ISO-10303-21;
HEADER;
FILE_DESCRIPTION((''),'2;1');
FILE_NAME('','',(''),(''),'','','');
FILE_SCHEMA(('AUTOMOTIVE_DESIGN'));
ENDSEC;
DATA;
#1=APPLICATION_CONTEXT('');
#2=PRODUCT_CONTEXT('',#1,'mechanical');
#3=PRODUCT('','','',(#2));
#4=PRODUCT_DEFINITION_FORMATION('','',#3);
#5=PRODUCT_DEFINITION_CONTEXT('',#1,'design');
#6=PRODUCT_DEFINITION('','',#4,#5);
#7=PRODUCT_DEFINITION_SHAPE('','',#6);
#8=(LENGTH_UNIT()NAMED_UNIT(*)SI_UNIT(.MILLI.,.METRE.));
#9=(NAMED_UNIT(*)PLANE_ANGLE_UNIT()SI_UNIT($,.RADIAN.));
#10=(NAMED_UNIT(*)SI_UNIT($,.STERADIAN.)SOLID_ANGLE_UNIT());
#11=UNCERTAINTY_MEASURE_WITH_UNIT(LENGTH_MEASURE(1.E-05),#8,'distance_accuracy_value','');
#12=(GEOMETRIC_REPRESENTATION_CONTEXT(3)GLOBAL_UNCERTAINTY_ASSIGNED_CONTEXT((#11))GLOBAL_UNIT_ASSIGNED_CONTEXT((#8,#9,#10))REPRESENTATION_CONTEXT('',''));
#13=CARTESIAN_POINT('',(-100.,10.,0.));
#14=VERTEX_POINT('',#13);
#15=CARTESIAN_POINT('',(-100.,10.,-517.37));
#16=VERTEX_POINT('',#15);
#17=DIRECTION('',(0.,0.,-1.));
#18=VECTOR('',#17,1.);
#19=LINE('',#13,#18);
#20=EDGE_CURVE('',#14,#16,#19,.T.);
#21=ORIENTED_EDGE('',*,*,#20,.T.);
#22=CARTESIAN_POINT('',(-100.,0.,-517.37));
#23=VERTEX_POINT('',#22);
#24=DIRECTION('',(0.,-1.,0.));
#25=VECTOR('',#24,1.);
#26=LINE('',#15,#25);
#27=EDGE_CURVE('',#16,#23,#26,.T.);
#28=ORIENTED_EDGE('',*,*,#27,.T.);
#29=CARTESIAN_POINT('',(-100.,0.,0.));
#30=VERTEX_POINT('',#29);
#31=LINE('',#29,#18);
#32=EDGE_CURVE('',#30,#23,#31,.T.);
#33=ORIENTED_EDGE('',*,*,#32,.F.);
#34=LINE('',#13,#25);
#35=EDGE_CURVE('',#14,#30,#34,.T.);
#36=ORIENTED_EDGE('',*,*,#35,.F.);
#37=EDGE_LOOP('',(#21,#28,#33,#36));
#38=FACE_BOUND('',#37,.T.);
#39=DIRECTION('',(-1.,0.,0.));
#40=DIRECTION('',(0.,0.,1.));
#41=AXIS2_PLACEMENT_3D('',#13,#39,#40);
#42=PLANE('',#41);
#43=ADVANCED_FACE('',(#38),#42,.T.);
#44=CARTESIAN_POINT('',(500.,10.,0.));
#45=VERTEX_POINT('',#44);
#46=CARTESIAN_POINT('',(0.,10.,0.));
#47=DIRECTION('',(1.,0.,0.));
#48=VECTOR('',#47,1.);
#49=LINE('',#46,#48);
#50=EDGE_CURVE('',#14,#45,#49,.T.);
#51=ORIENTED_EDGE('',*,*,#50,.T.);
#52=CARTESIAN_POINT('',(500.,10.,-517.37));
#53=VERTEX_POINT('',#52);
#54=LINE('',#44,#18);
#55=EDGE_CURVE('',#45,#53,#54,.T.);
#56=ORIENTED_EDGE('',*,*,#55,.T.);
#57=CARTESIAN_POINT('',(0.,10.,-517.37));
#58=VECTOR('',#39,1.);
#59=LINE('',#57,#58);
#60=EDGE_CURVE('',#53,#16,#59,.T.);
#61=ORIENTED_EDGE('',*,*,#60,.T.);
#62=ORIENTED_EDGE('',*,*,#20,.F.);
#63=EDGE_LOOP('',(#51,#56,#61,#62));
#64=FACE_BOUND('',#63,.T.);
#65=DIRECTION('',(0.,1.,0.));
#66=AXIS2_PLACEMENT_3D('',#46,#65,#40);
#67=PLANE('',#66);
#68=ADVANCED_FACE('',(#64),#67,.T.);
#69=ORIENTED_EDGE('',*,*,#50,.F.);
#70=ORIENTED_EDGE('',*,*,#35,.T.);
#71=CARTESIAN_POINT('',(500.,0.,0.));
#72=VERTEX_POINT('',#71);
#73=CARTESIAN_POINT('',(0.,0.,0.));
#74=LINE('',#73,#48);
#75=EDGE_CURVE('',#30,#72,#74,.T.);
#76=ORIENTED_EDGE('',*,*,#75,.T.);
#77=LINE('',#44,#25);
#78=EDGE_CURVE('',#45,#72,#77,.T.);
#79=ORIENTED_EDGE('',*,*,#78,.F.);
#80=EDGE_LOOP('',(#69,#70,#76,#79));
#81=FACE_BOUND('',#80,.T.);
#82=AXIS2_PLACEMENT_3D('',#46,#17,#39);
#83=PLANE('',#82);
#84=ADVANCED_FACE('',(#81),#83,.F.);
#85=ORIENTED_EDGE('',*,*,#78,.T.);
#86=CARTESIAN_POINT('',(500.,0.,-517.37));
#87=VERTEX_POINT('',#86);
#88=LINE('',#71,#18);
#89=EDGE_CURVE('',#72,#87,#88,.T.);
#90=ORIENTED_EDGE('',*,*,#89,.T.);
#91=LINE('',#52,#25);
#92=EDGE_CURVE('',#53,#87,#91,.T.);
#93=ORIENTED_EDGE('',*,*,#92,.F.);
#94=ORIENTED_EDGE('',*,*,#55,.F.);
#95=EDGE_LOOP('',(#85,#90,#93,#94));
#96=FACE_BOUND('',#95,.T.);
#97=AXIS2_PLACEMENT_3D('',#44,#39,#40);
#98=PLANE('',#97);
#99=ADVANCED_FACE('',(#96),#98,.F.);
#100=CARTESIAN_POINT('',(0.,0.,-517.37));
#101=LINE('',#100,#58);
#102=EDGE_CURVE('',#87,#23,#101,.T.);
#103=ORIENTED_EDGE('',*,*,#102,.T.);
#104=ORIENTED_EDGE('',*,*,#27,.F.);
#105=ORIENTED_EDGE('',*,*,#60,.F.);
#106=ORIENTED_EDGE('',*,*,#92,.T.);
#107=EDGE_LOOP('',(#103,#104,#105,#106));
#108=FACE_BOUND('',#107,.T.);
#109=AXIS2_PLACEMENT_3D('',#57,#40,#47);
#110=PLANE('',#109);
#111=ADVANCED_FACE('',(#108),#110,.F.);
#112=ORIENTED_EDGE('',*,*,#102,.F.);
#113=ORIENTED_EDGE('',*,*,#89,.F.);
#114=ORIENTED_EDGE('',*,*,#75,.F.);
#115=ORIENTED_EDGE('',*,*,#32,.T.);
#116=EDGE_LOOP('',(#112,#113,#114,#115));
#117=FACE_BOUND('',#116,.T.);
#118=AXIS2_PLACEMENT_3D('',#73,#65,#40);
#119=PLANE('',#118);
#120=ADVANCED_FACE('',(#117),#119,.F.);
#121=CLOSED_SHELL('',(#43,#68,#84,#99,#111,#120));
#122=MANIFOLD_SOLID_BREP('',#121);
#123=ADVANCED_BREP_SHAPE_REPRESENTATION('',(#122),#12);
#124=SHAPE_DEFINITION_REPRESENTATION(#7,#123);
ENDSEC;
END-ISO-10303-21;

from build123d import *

# Parameters (mm, degrees)
SKETCH1_W           = 600
SKETCH1_H           = 503.37
SKETCH1_H_2         = 7
BOSS_EXTRUDE1_DEPTH = 10


with BuildPart() as part:
    # Sketch1 → Boss-Extrude1 (new body)
    with BuildSketch(Plane(origin=(0, 0, 0), x_dir=(1, 0, 0), z_dir=(0, 1, 0))):
        with Locations((200, 258.685)):
            Rectangle(SKETCH1_W, SKETCH1_H)
        with Locations((200, 513.87)):
            Rectangle(SKETCH1_W, SKETCH1_H_2)
        with Locations((200, 3.5)):
            Rectangle(SKETCH1_W, SKETCH1_H_2)
    extrude(amount=BOSS_EXTRUDE1_DEPTH)


solid = part.part
